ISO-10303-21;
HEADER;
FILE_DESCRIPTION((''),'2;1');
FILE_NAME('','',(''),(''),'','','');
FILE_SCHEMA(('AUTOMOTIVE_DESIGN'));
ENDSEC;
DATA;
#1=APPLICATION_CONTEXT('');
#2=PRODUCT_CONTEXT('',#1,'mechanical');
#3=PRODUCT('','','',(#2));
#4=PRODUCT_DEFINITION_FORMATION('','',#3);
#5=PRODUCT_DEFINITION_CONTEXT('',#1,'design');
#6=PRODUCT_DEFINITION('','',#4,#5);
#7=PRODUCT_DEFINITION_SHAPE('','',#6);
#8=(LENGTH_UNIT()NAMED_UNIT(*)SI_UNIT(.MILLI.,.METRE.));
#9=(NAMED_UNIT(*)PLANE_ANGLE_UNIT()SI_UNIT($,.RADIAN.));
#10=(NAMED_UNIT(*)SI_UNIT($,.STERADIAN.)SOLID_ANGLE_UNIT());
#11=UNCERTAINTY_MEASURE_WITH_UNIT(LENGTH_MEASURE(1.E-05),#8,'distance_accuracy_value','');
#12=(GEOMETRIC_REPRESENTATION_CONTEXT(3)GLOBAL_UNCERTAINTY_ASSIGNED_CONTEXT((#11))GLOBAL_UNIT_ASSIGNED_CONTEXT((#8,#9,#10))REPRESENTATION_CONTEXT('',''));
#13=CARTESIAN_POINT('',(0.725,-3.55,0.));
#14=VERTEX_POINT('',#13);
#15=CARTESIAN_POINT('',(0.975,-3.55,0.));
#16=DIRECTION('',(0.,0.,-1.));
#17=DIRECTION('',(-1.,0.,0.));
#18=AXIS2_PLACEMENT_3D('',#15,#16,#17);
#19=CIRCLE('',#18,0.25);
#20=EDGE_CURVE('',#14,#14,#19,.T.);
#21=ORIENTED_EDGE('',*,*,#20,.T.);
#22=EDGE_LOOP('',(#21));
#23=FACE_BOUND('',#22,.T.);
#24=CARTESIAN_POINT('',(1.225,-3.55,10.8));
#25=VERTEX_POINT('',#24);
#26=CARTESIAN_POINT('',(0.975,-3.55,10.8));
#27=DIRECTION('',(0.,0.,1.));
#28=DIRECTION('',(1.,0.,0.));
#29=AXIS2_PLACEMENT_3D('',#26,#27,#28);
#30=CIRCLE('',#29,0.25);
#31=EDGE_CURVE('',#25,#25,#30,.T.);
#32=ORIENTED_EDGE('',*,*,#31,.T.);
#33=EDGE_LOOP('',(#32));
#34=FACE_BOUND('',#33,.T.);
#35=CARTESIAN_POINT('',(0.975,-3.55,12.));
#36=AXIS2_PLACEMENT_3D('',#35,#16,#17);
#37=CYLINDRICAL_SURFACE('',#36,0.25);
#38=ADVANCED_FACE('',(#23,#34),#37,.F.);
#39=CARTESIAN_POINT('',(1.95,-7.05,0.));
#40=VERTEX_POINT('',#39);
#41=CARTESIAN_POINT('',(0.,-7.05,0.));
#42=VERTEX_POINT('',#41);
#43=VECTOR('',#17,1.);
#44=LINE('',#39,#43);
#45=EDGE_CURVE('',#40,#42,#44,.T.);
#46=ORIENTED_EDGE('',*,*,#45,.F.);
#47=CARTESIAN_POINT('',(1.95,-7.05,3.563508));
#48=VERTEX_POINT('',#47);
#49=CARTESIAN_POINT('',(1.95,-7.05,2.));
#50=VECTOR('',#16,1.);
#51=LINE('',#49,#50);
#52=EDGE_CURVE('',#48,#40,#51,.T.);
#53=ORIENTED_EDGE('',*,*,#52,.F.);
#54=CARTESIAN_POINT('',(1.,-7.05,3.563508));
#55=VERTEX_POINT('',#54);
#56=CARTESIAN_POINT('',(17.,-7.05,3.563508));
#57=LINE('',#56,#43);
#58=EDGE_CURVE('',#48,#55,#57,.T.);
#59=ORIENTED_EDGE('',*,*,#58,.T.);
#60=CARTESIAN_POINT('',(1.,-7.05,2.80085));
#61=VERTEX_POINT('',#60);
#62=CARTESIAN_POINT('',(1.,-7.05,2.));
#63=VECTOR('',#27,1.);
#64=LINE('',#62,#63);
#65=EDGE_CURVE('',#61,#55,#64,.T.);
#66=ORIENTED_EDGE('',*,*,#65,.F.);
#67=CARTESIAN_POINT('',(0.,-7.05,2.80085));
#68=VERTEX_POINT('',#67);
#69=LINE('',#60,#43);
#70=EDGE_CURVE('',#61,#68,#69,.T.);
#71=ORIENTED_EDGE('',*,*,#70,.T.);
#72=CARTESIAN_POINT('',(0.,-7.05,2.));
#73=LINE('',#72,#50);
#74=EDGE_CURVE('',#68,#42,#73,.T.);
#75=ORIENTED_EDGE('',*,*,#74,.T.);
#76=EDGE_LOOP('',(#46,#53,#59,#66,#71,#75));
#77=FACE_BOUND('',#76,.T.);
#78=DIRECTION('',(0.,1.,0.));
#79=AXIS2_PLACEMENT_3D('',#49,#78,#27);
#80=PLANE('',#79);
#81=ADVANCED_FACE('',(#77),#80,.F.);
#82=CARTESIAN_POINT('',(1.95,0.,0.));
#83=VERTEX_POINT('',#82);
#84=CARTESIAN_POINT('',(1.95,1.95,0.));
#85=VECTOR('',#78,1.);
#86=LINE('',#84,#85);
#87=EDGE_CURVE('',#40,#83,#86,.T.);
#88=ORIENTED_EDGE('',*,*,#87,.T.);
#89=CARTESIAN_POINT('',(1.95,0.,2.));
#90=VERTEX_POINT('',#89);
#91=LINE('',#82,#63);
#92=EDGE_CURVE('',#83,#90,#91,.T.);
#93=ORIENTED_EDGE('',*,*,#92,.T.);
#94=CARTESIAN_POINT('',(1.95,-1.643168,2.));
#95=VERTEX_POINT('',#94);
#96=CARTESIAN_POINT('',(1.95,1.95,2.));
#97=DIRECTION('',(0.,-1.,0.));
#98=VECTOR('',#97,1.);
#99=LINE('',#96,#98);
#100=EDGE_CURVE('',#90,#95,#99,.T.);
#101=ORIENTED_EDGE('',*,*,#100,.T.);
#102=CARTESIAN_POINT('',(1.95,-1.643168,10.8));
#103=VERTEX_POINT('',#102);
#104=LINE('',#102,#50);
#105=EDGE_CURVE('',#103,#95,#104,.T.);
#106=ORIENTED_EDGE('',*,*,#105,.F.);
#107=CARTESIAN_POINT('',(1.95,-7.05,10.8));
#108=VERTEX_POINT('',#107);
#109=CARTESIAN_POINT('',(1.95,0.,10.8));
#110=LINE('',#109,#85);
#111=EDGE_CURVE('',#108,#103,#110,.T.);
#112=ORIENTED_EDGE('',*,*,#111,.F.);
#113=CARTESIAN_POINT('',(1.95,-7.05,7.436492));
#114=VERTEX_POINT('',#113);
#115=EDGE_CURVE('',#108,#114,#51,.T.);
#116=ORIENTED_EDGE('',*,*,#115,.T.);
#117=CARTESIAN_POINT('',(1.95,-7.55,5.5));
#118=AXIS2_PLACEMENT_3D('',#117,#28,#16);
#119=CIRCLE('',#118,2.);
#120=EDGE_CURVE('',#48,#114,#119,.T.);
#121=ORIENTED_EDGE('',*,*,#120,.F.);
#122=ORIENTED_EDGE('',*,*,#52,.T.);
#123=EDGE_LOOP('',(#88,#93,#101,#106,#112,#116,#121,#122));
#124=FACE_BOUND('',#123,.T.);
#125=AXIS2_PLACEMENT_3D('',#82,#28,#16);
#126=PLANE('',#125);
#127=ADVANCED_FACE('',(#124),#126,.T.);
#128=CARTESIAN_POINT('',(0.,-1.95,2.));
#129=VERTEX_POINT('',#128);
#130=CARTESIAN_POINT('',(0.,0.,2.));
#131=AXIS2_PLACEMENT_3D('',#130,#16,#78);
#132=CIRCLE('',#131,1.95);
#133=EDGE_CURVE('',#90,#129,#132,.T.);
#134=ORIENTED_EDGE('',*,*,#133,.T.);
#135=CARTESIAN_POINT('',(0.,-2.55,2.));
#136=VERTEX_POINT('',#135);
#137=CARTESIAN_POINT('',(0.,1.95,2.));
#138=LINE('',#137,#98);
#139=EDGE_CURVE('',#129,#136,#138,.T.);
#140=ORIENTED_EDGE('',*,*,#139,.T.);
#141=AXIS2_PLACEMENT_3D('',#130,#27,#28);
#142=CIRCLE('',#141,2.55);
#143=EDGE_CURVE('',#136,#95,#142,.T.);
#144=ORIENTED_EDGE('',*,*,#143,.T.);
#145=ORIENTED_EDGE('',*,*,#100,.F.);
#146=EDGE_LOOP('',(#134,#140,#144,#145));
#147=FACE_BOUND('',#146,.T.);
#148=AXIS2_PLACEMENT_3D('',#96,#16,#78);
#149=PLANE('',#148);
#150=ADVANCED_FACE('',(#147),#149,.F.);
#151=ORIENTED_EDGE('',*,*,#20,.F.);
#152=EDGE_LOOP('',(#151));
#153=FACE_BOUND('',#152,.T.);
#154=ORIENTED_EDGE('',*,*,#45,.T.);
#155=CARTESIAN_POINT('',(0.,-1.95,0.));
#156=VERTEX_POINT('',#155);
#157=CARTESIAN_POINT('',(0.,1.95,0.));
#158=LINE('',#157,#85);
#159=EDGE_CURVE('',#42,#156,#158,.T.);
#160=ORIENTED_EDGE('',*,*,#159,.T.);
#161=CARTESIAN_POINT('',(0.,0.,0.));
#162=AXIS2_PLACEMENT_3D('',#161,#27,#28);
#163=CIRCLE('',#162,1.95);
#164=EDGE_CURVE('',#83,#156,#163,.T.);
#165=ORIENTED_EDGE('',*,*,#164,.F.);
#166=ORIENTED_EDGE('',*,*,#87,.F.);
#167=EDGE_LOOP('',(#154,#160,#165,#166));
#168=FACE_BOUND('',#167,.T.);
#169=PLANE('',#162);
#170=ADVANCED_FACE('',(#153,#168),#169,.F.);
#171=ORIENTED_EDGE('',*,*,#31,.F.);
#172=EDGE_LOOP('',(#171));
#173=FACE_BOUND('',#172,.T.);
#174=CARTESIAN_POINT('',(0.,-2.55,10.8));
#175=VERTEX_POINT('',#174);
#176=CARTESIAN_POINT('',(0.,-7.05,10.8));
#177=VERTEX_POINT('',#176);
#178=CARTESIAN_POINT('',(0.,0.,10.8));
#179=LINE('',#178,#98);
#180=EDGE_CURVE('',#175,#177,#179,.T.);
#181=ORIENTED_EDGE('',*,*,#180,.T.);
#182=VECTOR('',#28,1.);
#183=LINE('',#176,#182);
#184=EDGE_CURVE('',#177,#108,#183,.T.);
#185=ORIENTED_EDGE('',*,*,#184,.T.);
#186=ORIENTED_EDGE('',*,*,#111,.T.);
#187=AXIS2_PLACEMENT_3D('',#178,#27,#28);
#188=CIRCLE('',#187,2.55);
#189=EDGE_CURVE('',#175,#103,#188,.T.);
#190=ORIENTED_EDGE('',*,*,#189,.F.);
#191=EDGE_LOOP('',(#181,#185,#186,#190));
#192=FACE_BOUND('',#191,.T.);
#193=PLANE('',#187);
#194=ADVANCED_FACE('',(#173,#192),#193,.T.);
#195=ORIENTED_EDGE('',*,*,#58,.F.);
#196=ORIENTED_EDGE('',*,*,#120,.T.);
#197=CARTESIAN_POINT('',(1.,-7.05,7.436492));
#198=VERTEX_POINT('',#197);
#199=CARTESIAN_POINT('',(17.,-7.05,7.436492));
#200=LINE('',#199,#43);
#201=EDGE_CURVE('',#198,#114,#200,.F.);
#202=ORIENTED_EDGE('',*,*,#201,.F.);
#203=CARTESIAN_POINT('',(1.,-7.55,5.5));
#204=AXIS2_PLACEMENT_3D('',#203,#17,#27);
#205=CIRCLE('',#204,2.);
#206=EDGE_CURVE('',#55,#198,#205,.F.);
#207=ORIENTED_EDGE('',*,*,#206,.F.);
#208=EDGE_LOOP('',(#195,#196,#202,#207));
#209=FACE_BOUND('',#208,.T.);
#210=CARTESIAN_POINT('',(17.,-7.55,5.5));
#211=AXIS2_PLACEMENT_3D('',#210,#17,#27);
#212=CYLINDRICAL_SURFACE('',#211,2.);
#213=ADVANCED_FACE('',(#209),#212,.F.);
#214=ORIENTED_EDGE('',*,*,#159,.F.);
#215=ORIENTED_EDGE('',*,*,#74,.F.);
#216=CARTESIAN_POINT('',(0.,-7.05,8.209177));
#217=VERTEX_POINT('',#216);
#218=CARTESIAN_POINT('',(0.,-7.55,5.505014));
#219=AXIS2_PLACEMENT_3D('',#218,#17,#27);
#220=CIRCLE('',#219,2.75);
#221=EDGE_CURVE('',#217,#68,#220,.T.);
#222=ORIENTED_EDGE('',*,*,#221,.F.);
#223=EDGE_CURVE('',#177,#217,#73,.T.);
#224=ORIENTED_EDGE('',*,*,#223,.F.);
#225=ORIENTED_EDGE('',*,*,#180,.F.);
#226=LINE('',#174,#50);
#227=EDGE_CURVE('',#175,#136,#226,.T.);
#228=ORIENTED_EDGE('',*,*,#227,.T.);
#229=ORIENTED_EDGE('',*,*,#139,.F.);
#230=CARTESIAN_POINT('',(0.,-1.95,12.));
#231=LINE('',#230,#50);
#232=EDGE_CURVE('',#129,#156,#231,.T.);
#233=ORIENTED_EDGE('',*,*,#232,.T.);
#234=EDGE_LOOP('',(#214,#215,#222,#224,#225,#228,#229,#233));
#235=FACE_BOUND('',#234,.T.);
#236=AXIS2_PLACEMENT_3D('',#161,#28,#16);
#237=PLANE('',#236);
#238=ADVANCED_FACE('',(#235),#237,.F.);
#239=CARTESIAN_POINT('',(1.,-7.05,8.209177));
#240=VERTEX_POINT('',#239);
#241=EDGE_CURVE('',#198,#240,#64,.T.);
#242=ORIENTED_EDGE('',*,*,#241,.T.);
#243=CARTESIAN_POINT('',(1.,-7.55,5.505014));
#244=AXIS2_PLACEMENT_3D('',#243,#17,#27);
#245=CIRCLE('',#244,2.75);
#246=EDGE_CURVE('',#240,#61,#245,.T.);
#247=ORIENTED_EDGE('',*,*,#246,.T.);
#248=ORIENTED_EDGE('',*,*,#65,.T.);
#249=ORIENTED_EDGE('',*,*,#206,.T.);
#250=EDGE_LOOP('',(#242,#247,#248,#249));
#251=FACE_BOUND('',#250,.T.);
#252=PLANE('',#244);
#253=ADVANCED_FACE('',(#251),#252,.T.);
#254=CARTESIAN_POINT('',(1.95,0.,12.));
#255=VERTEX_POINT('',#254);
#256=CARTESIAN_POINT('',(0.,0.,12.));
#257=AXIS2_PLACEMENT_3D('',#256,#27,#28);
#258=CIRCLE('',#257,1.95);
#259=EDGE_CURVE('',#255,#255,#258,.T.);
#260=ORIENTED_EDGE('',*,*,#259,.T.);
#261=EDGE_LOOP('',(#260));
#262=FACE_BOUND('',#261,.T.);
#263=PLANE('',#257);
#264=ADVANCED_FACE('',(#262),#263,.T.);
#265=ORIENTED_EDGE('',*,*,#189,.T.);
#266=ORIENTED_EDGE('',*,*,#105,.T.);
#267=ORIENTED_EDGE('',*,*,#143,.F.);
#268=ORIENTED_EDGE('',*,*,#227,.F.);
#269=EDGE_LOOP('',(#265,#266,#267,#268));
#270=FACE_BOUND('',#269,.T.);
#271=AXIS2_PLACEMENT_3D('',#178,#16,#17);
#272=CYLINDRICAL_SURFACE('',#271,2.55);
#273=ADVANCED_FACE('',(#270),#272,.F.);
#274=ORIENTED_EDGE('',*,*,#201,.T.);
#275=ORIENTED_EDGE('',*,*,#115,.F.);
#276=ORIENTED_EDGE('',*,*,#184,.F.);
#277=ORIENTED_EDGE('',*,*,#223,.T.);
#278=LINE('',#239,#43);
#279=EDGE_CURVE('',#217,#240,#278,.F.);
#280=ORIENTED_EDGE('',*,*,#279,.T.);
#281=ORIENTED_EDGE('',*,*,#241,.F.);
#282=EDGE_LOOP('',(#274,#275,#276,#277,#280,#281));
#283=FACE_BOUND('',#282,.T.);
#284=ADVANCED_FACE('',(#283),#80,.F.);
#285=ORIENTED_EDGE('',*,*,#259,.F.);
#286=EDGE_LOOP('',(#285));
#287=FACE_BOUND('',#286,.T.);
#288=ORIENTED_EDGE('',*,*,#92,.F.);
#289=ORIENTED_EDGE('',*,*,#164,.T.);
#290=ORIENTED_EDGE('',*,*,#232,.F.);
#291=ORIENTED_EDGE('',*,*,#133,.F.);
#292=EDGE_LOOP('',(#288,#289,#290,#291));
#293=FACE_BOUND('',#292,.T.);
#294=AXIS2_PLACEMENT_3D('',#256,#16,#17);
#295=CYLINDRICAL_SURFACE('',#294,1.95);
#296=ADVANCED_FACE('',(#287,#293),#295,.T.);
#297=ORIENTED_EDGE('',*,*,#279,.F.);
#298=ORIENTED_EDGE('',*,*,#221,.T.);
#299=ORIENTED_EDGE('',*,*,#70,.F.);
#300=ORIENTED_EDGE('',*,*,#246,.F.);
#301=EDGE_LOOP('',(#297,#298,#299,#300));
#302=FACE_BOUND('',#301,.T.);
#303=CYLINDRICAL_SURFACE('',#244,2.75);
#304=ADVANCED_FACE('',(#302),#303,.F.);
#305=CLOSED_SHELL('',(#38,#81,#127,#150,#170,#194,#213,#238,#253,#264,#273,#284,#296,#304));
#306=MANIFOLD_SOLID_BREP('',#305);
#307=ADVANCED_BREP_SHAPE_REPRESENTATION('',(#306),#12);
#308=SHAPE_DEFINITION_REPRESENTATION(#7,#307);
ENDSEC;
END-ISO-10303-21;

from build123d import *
from build123d.topology import SkipClean

# Parameters (mm, degrees)
SKETCH_1_R          = 1.95
EXTRUDE_1_DEPTH     = 12
SKETCH_4_W          = 2
SKETCH_4_H          = 9
EXTRUDE_2_DEPTH     = 1.95
EXTRUDE_4_DEPTH     = 8.8
SKETCH_9_R          = 2
CUT_EXTRUDE_2_DEPTH = 17
SKETCH_13_R         = 2.75
CUT_EXTRUDE_6_DEPTH = 1
CUT_EXTRUDE_7_DEPTH = 13.389713
SKETCH_14_R         = 0.25
CUT_EXTRUDE_8_DEPTH = 15.053647


with BuildPart() as part:
    # 스케치1 → 보스-돌출1 (new body)
    with BuildSketch(Plane.XY):
        Circle(SKETCH_1_R)
    extrude(amount=EXTRUDE_1_DEPTH)

    # 스케치4 → 보스-돌출2 (add)
    with BuildSketch(Plane(origin=(0, 0, 0), x_dir=(0, 0, -1), z_dir=(1, 0, 0))):
        with Locations((-1, -2.55)):
            Rectangle(SKETCH_4_W, SKETCH_4_H)
    extrude(amount=EXTRUDE_2_DEPTH)

    # 스케치8 → 보스-돌출4 (add)
    with BuildSketch(Plane.XY.offset(2)):
        with BuildLine():
            ThreePointArc((1.95, -1.643168), (1.075273, -2.312204), (0, -2.55))
            Line((0, -2.55), (0, -7.05))
            Line((0, -7.05), (1.95, -7.05))
            Line((1.95, -7.05), (1.95, -1.643168))
        make_face()
    extrude(amount=EXTRUDE_4_DEPTH)

    # 스케치9 → 컷-돌출2 (cut)
    with BuildSketch(Plane.ZY):
        with Locations((5.5, -7.55)):
            Circle(SKETCH_9_R)
    extrude(amount=-CUT_EXTRUDE_2_DEPTH, mode=Mode.SUBTRACT)

    # 스케치13 → 컷-돌출6 (cut)
    with BuildSketch(Plane.ZY):
        with Locations((5.505014, -7.55)):
            Circle(SKETCH_13_R)
    extrude(amount=-CUT_EXTRUDE_6_DEPTH, mode=Mode.SUBTRACT)

    # 스케치12 → 컷-돌출7 (cut, through all)
    with BuildSketch(Plane.XY.offset(2)):
        with BuildLine():
            Line((1.95, 0), (1.95, 1.95))
            Line((1.95, 1.95), (0, 1.95))
            ThreePointArc((0, 1.95), (1.378858, 1.378858), (1.95, 0))
        make_face()
    extrude(amount=-CUT_EXTRUDE_7_DEPTH, mode=Mode.SUBTRACT)

    # 스케치14 → 컷-돌출8 (cut, through all)
    with SkipClean():  # the faces are left unmerged after this step: merging them gives an invalid solid
        with BuildSketch(Plane(origin=(0, 0, 0), x_dir=(-1, 0, 0), z_dir=(0, 0, -1))):
            with Locations((-0.975, -3.55)):
                Circle(SKETCH_14_R)
        extrude(amount=-CUT_EXTRUDE_8_DEPTH, mode=Mode.SUBTRACT)


solid = part.part
